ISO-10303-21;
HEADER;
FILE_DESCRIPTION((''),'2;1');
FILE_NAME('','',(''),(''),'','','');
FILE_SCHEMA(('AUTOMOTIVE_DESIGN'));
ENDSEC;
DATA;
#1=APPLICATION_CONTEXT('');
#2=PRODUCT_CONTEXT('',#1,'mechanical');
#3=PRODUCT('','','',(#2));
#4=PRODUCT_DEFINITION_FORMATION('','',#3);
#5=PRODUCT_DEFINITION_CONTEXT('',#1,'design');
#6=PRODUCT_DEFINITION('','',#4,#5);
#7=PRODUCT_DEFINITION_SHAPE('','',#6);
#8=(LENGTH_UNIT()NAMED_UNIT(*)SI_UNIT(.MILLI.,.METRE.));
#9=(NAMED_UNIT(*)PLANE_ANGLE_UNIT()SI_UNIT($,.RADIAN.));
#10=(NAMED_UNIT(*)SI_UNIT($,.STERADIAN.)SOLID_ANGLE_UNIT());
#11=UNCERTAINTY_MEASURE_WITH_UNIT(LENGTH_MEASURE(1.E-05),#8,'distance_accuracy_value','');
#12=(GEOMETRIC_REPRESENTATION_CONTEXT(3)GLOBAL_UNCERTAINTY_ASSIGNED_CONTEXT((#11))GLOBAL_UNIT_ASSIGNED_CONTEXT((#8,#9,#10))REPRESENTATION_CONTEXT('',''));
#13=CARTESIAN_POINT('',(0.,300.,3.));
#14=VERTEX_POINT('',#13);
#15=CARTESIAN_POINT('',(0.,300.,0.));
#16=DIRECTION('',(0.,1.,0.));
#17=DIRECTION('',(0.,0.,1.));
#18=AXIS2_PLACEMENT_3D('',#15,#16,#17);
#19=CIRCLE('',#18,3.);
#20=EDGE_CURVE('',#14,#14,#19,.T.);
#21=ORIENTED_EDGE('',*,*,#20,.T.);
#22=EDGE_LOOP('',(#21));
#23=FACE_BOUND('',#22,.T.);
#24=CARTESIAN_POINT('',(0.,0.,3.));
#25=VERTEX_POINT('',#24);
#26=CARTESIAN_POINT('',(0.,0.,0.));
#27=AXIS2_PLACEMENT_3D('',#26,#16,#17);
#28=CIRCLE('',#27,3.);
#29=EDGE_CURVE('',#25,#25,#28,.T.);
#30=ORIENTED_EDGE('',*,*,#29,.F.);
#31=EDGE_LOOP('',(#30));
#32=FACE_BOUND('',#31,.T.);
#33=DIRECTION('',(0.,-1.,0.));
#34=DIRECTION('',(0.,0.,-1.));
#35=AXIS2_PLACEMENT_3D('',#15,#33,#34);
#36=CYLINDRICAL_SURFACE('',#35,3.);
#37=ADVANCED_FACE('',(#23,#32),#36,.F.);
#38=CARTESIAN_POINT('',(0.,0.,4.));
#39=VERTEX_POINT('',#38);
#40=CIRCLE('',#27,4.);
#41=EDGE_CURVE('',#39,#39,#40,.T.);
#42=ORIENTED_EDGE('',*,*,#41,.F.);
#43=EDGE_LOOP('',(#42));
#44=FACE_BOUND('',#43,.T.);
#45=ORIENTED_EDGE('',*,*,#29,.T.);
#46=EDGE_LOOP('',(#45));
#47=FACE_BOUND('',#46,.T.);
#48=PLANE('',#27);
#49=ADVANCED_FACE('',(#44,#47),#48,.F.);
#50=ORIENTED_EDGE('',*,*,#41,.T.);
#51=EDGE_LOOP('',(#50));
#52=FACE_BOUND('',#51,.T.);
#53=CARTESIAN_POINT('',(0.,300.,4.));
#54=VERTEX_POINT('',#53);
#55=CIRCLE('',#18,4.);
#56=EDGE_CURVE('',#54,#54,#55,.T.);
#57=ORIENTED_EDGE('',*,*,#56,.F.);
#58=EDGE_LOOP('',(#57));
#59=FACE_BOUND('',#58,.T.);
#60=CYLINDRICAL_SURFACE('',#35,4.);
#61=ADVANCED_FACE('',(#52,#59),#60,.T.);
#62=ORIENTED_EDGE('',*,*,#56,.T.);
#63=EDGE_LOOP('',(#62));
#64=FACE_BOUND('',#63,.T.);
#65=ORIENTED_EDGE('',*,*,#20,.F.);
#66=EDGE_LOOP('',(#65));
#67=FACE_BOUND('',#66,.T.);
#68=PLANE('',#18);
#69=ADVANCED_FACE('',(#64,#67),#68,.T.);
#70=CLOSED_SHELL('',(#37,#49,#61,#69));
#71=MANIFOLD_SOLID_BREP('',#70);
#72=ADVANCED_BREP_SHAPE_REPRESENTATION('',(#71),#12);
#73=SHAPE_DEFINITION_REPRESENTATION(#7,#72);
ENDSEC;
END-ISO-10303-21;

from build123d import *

# Parameters (mm, degrees)
SKETCH_1_R      = 4
SKETCH_1_R_2    = 3
EXTRUDE_1_DEPTH = 300


with BuildPart() as part:
    # Эскиз1 → Бобышка-Вытянуть1 (new body)
    with BuildSketch(Plane(origin=(0, 0, 0), x_dir=(1, 0, 0), z_dir=(0, 1, 0))):
        Circle(SKETCH_1_R)
        Circle(SKETCH_1_R_2, mode=Mode.SUBTRACT)
    extrude(amount=EXTRUDE_1_DEPTH)


solid = part.part
